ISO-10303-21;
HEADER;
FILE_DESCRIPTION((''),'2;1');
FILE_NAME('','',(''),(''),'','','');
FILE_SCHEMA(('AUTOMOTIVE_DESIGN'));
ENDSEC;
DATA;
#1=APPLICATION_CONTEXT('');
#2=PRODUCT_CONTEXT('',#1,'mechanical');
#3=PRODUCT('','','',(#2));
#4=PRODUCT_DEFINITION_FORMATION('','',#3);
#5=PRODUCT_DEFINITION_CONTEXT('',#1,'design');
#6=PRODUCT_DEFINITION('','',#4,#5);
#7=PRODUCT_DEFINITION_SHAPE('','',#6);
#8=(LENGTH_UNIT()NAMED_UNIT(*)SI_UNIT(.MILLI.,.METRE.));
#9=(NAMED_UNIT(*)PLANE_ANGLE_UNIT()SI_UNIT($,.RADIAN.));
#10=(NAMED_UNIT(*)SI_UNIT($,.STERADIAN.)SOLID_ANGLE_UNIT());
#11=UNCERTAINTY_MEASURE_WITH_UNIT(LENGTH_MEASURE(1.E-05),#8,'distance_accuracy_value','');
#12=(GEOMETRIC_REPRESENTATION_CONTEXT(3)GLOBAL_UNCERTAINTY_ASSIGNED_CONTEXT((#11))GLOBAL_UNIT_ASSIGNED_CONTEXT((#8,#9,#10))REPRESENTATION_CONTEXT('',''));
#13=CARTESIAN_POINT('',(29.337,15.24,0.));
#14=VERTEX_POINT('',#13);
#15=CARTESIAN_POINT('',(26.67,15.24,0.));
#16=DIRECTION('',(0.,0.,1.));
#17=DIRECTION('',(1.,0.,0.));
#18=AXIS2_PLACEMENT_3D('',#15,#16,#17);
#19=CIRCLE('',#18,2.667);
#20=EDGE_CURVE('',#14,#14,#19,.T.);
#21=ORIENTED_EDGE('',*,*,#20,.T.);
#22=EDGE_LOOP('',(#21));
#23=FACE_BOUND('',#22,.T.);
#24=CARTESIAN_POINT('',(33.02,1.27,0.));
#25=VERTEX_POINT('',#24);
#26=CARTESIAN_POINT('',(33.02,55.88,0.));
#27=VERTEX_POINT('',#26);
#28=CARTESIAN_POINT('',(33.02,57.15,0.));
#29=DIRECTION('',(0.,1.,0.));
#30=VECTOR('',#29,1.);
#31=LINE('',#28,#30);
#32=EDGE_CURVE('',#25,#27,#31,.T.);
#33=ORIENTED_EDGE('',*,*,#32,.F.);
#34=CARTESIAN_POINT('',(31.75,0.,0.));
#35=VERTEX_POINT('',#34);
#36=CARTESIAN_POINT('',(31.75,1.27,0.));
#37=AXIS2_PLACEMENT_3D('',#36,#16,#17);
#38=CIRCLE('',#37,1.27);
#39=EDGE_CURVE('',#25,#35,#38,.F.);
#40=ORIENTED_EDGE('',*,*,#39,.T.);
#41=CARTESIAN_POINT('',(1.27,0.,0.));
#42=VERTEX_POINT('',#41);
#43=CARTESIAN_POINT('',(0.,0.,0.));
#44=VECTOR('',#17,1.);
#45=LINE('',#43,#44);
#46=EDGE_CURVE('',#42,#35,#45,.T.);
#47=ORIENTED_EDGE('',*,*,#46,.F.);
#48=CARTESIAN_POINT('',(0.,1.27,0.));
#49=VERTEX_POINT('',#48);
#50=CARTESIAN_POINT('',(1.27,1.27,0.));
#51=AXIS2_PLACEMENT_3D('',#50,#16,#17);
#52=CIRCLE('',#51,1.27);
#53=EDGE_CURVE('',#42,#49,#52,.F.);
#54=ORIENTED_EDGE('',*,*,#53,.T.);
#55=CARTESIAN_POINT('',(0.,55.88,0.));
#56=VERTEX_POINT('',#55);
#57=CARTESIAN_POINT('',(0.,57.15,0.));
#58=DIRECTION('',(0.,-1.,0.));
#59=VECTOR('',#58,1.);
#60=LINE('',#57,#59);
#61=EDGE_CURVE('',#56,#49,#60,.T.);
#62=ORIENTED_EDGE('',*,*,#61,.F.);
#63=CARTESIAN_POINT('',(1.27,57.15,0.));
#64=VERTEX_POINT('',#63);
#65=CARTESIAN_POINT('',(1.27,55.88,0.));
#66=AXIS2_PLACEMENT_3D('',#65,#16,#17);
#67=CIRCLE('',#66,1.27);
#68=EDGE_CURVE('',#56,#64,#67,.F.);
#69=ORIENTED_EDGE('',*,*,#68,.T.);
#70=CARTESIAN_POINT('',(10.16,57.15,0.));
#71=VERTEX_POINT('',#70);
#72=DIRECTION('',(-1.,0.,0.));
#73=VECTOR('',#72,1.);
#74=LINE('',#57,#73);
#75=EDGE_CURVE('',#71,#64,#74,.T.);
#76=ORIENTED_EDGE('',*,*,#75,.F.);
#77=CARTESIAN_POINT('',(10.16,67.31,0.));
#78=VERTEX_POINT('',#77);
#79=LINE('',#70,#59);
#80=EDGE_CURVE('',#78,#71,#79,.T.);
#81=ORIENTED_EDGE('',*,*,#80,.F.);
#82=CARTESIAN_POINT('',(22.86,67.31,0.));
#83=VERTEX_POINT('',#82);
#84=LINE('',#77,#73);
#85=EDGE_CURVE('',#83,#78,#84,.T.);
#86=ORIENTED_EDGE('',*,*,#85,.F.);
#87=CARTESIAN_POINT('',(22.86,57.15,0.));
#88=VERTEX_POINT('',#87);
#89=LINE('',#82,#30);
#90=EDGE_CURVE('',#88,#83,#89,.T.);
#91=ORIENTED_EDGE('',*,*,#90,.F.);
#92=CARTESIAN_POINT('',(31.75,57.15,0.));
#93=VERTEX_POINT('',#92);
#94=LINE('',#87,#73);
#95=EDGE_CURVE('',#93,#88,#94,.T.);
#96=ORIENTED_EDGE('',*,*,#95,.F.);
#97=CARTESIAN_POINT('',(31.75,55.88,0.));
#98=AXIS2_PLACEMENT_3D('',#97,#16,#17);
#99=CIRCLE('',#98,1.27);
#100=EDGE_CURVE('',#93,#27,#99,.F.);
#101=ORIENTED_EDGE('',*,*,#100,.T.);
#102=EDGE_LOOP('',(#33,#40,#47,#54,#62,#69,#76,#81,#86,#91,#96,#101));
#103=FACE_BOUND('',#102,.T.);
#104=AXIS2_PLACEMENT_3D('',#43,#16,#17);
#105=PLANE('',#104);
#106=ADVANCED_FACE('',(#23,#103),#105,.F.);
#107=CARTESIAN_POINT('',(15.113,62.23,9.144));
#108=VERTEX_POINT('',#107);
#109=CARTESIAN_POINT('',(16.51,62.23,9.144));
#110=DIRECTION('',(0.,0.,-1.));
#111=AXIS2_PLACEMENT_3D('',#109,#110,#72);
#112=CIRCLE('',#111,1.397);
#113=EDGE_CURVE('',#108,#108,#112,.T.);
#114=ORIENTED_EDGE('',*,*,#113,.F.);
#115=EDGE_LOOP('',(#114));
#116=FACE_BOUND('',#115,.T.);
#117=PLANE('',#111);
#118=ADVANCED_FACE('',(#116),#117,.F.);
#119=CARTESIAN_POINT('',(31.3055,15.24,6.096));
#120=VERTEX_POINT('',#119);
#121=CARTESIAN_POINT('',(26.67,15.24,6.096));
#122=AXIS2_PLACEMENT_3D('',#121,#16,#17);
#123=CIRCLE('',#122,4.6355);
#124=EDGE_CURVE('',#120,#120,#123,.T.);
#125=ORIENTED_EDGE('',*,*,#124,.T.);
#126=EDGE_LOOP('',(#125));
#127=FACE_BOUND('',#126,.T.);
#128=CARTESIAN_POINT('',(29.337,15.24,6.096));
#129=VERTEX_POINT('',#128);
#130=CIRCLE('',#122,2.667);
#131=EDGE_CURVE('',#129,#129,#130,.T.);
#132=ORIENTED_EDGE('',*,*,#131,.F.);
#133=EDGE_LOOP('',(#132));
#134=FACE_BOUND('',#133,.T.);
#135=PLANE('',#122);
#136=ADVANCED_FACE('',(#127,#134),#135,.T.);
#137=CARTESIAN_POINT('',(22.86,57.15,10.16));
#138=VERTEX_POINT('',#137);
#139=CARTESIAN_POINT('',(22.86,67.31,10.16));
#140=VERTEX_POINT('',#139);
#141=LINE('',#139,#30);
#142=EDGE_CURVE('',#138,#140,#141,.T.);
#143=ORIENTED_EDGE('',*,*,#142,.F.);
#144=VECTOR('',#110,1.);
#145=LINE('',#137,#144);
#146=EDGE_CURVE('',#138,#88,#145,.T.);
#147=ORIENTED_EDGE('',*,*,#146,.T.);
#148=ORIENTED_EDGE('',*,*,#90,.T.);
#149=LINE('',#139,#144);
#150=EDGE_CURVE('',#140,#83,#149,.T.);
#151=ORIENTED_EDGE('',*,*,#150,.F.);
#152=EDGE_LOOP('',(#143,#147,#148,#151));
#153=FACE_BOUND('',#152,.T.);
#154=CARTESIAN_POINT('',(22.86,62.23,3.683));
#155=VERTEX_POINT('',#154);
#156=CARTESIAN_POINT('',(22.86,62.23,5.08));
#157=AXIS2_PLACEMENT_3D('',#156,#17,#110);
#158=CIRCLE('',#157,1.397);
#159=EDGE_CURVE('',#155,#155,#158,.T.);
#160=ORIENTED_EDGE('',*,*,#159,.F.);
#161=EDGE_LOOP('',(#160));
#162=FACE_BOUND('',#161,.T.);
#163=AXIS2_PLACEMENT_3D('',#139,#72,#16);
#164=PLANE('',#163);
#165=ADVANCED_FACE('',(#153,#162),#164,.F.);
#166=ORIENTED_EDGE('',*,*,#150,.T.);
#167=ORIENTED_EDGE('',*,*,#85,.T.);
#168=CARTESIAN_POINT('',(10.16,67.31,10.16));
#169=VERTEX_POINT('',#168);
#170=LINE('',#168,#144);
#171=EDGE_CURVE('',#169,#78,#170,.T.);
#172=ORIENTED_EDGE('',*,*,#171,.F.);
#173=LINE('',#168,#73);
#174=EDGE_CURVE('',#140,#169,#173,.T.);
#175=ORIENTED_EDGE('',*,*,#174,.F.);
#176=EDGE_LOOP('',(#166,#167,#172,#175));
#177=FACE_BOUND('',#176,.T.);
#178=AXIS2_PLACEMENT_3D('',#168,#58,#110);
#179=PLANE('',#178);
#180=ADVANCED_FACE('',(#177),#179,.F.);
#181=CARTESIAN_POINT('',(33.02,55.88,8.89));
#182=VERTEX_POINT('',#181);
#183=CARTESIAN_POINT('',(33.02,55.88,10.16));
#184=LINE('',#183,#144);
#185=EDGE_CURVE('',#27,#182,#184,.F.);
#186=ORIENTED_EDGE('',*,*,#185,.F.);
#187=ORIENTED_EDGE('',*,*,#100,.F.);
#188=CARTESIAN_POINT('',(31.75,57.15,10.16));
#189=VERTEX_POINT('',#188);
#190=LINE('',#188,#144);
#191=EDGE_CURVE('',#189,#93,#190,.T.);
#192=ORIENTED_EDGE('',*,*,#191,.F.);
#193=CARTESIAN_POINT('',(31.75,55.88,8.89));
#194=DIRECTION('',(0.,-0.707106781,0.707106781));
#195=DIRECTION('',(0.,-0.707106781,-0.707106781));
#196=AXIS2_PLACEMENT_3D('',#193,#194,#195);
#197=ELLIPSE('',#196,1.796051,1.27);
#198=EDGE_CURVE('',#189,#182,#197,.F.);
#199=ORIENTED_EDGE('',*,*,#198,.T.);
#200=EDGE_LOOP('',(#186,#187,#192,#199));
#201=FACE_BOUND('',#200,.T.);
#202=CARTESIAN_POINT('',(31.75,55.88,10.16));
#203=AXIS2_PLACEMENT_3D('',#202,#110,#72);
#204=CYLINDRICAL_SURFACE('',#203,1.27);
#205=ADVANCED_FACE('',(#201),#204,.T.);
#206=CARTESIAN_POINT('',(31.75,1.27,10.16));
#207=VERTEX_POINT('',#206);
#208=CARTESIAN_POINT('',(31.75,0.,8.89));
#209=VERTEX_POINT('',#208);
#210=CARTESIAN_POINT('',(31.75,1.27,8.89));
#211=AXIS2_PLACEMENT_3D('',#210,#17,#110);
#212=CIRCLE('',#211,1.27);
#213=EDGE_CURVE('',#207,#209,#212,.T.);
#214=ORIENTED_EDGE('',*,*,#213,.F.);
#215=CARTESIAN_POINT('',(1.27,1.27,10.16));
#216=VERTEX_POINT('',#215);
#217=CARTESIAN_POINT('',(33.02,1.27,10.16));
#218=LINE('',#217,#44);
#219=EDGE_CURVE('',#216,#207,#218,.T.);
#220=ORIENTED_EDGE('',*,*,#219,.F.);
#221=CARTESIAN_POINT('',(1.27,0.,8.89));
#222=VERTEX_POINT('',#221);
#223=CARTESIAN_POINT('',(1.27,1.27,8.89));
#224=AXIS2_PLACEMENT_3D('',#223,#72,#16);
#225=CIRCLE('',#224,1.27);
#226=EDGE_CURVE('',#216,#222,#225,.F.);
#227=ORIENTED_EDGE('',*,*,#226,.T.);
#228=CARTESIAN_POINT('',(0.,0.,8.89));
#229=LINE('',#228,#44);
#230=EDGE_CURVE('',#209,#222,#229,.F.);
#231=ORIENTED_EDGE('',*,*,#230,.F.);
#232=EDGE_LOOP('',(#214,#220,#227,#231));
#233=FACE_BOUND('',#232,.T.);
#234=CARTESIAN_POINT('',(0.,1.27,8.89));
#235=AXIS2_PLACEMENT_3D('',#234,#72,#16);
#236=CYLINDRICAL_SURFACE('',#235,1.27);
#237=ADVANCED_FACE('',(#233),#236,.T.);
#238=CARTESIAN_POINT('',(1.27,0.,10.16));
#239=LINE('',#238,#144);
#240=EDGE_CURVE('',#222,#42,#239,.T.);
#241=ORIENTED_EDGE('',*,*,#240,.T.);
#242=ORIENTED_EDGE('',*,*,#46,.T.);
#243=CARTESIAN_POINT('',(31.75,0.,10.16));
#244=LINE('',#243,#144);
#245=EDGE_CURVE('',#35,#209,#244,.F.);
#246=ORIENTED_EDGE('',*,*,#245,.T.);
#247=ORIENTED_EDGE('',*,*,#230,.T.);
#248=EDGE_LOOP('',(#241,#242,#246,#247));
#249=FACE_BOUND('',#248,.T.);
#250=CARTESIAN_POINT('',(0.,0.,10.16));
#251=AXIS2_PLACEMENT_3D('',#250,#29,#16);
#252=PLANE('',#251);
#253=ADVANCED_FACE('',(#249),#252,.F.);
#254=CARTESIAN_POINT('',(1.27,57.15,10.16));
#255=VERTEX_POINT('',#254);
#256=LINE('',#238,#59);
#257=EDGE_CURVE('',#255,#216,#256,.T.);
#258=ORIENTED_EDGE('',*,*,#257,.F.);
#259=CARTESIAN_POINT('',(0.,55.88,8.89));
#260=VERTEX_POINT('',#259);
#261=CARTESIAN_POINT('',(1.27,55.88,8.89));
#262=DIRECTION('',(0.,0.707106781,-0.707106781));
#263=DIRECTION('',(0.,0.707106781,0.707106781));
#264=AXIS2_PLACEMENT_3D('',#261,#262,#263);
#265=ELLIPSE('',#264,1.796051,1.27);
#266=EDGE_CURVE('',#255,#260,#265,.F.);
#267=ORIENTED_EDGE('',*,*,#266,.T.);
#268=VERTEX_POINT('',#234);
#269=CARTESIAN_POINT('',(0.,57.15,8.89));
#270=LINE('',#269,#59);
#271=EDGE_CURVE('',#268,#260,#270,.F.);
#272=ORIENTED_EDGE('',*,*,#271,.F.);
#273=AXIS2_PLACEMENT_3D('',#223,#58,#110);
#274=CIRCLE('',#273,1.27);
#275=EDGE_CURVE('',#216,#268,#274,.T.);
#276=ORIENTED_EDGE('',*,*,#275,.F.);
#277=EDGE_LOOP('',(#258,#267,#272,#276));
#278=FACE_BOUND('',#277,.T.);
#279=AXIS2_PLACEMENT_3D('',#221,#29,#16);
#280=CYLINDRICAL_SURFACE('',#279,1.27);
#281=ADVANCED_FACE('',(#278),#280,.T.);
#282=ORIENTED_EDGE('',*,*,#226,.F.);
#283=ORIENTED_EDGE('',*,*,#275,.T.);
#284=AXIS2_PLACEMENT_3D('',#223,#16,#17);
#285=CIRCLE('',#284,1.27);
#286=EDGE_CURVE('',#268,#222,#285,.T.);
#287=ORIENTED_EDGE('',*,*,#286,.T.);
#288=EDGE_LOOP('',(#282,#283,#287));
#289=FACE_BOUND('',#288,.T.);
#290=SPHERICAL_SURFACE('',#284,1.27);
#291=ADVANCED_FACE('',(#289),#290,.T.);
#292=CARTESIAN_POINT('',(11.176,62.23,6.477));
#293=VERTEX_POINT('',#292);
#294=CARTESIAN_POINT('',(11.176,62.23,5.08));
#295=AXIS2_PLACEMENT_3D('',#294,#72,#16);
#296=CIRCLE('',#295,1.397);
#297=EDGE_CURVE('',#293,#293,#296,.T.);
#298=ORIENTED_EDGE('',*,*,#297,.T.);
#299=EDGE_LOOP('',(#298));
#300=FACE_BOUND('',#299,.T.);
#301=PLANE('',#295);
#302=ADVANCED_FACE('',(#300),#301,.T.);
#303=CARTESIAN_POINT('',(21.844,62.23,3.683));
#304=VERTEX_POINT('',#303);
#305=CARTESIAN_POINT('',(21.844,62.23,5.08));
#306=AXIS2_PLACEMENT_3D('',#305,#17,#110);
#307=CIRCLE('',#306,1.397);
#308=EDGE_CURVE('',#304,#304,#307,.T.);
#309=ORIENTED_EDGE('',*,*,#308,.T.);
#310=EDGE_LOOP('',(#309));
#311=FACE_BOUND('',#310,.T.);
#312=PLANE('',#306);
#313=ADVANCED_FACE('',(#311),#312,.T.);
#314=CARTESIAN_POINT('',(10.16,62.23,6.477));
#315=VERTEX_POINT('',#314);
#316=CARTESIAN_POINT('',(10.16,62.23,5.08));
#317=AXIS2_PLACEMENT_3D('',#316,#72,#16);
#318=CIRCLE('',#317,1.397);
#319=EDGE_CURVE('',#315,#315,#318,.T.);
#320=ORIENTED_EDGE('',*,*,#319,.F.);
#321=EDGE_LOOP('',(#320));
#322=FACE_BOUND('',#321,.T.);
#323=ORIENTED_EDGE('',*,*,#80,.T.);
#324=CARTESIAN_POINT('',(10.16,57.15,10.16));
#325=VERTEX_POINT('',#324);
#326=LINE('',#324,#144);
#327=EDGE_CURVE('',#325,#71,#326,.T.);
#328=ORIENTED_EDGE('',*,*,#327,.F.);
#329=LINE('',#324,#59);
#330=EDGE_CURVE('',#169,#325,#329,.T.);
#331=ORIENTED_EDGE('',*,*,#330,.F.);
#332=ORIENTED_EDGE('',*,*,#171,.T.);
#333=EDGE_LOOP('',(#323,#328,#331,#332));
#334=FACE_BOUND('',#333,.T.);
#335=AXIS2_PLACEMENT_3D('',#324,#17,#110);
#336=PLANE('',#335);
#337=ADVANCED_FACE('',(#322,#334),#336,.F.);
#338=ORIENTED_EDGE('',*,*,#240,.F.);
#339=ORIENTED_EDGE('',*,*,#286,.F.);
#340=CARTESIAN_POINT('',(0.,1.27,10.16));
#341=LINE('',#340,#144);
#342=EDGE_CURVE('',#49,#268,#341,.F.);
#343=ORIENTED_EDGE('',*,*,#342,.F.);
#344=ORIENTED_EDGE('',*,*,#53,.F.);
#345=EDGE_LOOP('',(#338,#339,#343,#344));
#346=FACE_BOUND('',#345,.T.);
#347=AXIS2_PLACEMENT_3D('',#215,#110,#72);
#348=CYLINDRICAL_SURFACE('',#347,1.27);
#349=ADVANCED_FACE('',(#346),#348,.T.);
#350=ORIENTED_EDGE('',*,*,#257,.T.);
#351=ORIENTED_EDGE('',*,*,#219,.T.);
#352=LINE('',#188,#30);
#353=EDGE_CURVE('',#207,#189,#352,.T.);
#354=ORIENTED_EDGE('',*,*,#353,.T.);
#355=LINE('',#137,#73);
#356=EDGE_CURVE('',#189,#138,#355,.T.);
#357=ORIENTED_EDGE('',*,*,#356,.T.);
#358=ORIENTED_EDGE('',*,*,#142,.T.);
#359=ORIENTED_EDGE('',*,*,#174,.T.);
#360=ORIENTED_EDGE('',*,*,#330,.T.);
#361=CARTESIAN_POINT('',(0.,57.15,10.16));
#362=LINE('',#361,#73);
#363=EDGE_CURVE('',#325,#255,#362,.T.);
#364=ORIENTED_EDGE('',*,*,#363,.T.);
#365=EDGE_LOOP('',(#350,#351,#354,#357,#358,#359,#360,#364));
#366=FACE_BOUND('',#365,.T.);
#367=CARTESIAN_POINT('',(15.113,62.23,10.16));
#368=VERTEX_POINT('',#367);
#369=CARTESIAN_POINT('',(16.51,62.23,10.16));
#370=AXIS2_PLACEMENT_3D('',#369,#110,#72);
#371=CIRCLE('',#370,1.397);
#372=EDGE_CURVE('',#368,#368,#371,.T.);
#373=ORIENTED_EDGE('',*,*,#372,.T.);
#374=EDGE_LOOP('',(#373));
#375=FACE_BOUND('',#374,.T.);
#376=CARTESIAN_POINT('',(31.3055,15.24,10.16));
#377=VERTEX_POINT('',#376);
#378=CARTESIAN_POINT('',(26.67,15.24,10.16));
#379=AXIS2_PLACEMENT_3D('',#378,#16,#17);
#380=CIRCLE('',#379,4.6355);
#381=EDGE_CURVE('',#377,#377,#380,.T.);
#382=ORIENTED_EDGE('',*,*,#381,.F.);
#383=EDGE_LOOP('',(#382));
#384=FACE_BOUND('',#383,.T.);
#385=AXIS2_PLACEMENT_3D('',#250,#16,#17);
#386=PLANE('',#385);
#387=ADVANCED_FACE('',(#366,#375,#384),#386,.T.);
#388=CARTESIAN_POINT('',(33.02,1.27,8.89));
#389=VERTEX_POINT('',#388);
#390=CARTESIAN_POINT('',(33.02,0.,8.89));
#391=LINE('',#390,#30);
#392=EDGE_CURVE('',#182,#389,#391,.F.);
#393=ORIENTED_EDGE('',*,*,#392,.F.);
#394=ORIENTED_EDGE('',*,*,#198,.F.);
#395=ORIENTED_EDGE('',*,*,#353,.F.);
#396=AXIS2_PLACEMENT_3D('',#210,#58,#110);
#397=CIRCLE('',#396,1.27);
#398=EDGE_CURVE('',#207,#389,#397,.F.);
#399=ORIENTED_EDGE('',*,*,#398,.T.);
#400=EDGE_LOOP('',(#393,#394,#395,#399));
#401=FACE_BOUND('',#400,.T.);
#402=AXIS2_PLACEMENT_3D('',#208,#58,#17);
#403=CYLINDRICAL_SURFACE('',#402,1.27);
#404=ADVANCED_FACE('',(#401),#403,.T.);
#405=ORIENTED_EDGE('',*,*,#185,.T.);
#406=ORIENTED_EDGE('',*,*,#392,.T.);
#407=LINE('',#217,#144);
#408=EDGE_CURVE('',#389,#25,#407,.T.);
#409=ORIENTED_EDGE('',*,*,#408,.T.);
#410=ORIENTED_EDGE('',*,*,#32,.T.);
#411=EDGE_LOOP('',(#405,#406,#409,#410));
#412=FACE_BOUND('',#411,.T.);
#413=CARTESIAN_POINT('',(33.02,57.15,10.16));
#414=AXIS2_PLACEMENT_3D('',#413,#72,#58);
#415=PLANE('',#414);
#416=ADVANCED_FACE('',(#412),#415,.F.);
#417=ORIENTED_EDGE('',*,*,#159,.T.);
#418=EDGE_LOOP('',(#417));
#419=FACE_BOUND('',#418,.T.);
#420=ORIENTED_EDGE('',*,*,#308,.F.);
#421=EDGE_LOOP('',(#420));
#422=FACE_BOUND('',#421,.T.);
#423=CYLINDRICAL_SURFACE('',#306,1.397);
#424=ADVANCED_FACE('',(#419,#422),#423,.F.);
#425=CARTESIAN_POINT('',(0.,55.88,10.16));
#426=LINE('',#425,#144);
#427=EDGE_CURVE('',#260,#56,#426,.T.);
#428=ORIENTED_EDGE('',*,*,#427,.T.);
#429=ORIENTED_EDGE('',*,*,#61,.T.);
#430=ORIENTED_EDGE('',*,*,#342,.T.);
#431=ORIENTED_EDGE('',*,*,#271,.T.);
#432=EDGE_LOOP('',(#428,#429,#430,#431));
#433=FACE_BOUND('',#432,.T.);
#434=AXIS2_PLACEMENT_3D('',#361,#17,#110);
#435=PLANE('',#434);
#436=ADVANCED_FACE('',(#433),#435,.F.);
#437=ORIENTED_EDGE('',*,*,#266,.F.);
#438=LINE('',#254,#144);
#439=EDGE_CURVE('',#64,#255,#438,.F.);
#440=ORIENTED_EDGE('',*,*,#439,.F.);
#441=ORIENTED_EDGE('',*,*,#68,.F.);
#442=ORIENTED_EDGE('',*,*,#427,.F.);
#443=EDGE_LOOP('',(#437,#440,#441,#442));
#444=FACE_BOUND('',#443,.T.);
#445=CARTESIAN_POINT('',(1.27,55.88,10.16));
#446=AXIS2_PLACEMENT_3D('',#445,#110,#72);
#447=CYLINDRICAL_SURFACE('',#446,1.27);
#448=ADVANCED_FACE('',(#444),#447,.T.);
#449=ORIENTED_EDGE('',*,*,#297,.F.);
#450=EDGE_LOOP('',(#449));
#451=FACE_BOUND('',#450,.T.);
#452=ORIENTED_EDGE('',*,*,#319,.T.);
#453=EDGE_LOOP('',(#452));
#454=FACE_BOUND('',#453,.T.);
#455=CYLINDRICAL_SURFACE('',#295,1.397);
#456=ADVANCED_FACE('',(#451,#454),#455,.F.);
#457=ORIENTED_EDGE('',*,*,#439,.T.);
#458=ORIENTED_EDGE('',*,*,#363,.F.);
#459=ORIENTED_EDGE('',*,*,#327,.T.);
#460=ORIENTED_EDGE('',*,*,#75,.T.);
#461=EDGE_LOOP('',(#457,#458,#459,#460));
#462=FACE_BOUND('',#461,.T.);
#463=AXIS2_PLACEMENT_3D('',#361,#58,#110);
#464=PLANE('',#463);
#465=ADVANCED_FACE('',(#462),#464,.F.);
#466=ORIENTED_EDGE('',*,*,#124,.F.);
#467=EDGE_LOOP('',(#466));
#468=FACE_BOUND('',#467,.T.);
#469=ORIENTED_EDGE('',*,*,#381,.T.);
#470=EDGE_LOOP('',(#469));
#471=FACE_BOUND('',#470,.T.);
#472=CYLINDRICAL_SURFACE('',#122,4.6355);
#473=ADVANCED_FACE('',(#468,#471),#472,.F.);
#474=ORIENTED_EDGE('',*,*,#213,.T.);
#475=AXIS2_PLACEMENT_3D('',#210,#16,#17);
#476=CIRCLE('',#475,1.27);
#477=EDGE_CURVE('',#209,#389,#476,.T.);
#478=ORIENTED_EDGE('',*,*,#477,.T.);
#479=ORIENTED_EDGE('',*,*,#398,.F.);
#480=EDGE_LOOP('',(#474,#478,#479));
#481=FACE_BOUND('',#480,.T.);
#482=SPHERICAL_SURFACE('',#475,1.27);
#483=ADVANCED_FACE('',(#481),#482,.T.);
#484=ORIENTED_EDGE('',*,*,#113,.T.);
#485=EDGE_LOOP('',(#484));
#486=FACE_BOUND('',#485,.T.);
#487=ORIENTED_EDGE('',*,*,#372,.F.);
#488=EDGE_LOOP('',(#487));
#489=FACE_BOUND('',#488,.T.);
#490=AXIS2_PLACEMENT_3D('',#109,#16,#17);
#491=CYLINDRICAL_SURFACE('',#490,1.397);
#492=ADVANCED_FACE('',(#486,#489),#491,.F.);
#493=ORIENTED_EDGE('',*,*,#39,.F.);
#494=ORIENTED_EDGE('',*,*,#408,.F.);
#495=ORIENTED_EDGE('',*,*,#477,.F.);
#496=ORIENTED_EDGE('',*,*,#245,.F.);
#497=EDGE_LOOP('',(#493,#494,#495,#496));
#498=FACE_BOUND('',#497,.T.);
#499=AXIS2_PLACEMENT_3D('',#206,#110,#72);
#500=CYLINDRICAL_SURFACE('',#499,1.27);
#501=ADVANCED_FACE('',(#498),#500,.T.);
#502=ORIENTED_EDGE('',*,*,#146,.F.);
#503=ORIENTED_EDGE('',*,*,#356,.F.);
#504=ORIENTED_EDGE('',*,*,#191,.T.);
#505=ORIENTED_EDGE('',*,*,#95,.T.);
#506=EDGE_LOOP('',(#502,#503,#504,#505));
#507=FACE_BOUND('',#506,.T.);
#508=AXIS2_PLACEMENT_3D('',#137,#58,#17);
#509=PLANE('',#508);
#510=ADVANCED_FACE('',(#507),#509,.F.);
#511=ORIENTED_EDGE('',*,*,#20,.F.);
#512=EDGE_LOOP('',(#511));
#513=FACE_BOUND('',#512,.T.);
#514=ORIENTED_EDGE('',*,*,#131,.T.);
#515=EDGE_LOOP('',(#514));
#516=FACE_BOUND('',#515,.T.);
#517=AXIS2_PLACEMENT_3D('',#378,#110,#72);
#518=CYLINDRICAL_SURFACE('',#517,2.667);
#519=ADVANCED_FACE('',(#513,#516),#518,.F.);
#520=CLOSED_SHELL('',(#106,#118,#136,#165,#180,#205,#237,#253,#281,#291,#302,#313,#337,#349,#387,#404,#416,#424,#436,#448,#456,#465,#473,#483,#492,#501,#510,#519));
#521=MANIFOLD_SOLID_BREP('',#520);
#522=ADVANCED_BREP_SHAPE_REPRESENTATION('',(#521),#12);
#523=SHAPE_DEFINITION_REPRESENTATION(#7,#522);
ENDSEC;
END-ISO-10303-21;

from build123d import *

# Parameters (mm, degrees)
SKETCH1_R           = 2.667
BOSS_EXTRUDE1_DEPTH = 10.16
SKETCH7_R           = 4.6355
CUT_EXTRUDE1_DEPTH  = 4.064
SKETCH3_R           = 1.397
CUT_EXTRUDE2_DEPTH  = 1.016
SKETCH8_R           = 1.397
CUT_EXTRUDE3_DEPTH  = 1.016
CUT_EXTRUDE4_START  = -1.016
SKETCH9_R           = 1.397
CUT_EXTRUDE4_DEPTH  = 1.016
FILLET1_R           = 1.27


with BuildPart() as part:
    # Sketch1 → Boss-Extrude1 (new body)
    with BuildSketch(Plane.XY):
        Polygon((0, 57.15), (10.16, 57.15), (10.16, 67.31), (22.86, 67.31), (22.86, 57.15), (33.02, 57.15), (33.02, 0), (0, 0), align=None)
        with Locations((26.67, 15.24)):
            Circle(SKETCH1_R, mode=Mode.SUBTRACT)
    extrude(amount=BOSS_EXTRUDE1_DEPTH)

    # Sketch7 → Cut-Extrude1 (cut)
    with BuildSketch(Plane.XY.offset(10.16)):
        with Locations((26.67, 15.24)):
            Circle(SKETCH7_R)
    extrude(amount=-CUT_EXTRUDE1_DEPTH, mode=Mode.SUBTRACT)

    # Sketch3 → Cut-Extrude2 (cut)
    with BuildSketch(Plane(origin=(0, 0, 10.16), x_dir=(-1, 0, 0), z_dir=(0, 0, -1))):
        with Locations((-16.51, 62.23)):
            Circle(SKETCH3_R)
    extrude(amount=CUT_EXTRUDE2_DEPTH, mode=Mode.SUBTRACT)

    # Sketch8 → Cut-Extrude3 (cut)
    with BuildSketch(Plane(origin=(22.86, 0, 0), x_dir=(0, 0, -1), z_dir=(1, 0, 0))):
        with Locations((-5.08, 62.23)):
            Circle(SKETCH8_R)
    extrude(amount=-CUT_EXTRUDE3_DEPTH, mode=Mode.SUBTRACT)

    # Sketch9 → Cut-Extrude4 (cut)
    with BuildSketch(Plane.ZY.offset(-10.16).offset(CUT_EXTRUDE4_START)):
        with Locations(Location((5.08, 62.23, 0), (0, 0, 180))):
            Circle(SKETCH9_R)
    extrude(amount=CUT_EXTRUDE4_DEPTH, mode=Mode.SUBTRACT)

    # Fillet1
    fillet1_edges = [part.edges().sort_by_distance(p)[0] for p in [
        (33.02, 28.575, 10.16),
        (0, 57.15, 5.08),
        (33.02, 57.15, 5.08),
        (33.02, 0, 5.08),
        (0, 0, 5.08),
        (0, 28.575, 10.16),
        (16.51, 0, 10.16),
    ]]
    fillet(fillet1_edges, radius=FILLET1_R)


solid = part.part
